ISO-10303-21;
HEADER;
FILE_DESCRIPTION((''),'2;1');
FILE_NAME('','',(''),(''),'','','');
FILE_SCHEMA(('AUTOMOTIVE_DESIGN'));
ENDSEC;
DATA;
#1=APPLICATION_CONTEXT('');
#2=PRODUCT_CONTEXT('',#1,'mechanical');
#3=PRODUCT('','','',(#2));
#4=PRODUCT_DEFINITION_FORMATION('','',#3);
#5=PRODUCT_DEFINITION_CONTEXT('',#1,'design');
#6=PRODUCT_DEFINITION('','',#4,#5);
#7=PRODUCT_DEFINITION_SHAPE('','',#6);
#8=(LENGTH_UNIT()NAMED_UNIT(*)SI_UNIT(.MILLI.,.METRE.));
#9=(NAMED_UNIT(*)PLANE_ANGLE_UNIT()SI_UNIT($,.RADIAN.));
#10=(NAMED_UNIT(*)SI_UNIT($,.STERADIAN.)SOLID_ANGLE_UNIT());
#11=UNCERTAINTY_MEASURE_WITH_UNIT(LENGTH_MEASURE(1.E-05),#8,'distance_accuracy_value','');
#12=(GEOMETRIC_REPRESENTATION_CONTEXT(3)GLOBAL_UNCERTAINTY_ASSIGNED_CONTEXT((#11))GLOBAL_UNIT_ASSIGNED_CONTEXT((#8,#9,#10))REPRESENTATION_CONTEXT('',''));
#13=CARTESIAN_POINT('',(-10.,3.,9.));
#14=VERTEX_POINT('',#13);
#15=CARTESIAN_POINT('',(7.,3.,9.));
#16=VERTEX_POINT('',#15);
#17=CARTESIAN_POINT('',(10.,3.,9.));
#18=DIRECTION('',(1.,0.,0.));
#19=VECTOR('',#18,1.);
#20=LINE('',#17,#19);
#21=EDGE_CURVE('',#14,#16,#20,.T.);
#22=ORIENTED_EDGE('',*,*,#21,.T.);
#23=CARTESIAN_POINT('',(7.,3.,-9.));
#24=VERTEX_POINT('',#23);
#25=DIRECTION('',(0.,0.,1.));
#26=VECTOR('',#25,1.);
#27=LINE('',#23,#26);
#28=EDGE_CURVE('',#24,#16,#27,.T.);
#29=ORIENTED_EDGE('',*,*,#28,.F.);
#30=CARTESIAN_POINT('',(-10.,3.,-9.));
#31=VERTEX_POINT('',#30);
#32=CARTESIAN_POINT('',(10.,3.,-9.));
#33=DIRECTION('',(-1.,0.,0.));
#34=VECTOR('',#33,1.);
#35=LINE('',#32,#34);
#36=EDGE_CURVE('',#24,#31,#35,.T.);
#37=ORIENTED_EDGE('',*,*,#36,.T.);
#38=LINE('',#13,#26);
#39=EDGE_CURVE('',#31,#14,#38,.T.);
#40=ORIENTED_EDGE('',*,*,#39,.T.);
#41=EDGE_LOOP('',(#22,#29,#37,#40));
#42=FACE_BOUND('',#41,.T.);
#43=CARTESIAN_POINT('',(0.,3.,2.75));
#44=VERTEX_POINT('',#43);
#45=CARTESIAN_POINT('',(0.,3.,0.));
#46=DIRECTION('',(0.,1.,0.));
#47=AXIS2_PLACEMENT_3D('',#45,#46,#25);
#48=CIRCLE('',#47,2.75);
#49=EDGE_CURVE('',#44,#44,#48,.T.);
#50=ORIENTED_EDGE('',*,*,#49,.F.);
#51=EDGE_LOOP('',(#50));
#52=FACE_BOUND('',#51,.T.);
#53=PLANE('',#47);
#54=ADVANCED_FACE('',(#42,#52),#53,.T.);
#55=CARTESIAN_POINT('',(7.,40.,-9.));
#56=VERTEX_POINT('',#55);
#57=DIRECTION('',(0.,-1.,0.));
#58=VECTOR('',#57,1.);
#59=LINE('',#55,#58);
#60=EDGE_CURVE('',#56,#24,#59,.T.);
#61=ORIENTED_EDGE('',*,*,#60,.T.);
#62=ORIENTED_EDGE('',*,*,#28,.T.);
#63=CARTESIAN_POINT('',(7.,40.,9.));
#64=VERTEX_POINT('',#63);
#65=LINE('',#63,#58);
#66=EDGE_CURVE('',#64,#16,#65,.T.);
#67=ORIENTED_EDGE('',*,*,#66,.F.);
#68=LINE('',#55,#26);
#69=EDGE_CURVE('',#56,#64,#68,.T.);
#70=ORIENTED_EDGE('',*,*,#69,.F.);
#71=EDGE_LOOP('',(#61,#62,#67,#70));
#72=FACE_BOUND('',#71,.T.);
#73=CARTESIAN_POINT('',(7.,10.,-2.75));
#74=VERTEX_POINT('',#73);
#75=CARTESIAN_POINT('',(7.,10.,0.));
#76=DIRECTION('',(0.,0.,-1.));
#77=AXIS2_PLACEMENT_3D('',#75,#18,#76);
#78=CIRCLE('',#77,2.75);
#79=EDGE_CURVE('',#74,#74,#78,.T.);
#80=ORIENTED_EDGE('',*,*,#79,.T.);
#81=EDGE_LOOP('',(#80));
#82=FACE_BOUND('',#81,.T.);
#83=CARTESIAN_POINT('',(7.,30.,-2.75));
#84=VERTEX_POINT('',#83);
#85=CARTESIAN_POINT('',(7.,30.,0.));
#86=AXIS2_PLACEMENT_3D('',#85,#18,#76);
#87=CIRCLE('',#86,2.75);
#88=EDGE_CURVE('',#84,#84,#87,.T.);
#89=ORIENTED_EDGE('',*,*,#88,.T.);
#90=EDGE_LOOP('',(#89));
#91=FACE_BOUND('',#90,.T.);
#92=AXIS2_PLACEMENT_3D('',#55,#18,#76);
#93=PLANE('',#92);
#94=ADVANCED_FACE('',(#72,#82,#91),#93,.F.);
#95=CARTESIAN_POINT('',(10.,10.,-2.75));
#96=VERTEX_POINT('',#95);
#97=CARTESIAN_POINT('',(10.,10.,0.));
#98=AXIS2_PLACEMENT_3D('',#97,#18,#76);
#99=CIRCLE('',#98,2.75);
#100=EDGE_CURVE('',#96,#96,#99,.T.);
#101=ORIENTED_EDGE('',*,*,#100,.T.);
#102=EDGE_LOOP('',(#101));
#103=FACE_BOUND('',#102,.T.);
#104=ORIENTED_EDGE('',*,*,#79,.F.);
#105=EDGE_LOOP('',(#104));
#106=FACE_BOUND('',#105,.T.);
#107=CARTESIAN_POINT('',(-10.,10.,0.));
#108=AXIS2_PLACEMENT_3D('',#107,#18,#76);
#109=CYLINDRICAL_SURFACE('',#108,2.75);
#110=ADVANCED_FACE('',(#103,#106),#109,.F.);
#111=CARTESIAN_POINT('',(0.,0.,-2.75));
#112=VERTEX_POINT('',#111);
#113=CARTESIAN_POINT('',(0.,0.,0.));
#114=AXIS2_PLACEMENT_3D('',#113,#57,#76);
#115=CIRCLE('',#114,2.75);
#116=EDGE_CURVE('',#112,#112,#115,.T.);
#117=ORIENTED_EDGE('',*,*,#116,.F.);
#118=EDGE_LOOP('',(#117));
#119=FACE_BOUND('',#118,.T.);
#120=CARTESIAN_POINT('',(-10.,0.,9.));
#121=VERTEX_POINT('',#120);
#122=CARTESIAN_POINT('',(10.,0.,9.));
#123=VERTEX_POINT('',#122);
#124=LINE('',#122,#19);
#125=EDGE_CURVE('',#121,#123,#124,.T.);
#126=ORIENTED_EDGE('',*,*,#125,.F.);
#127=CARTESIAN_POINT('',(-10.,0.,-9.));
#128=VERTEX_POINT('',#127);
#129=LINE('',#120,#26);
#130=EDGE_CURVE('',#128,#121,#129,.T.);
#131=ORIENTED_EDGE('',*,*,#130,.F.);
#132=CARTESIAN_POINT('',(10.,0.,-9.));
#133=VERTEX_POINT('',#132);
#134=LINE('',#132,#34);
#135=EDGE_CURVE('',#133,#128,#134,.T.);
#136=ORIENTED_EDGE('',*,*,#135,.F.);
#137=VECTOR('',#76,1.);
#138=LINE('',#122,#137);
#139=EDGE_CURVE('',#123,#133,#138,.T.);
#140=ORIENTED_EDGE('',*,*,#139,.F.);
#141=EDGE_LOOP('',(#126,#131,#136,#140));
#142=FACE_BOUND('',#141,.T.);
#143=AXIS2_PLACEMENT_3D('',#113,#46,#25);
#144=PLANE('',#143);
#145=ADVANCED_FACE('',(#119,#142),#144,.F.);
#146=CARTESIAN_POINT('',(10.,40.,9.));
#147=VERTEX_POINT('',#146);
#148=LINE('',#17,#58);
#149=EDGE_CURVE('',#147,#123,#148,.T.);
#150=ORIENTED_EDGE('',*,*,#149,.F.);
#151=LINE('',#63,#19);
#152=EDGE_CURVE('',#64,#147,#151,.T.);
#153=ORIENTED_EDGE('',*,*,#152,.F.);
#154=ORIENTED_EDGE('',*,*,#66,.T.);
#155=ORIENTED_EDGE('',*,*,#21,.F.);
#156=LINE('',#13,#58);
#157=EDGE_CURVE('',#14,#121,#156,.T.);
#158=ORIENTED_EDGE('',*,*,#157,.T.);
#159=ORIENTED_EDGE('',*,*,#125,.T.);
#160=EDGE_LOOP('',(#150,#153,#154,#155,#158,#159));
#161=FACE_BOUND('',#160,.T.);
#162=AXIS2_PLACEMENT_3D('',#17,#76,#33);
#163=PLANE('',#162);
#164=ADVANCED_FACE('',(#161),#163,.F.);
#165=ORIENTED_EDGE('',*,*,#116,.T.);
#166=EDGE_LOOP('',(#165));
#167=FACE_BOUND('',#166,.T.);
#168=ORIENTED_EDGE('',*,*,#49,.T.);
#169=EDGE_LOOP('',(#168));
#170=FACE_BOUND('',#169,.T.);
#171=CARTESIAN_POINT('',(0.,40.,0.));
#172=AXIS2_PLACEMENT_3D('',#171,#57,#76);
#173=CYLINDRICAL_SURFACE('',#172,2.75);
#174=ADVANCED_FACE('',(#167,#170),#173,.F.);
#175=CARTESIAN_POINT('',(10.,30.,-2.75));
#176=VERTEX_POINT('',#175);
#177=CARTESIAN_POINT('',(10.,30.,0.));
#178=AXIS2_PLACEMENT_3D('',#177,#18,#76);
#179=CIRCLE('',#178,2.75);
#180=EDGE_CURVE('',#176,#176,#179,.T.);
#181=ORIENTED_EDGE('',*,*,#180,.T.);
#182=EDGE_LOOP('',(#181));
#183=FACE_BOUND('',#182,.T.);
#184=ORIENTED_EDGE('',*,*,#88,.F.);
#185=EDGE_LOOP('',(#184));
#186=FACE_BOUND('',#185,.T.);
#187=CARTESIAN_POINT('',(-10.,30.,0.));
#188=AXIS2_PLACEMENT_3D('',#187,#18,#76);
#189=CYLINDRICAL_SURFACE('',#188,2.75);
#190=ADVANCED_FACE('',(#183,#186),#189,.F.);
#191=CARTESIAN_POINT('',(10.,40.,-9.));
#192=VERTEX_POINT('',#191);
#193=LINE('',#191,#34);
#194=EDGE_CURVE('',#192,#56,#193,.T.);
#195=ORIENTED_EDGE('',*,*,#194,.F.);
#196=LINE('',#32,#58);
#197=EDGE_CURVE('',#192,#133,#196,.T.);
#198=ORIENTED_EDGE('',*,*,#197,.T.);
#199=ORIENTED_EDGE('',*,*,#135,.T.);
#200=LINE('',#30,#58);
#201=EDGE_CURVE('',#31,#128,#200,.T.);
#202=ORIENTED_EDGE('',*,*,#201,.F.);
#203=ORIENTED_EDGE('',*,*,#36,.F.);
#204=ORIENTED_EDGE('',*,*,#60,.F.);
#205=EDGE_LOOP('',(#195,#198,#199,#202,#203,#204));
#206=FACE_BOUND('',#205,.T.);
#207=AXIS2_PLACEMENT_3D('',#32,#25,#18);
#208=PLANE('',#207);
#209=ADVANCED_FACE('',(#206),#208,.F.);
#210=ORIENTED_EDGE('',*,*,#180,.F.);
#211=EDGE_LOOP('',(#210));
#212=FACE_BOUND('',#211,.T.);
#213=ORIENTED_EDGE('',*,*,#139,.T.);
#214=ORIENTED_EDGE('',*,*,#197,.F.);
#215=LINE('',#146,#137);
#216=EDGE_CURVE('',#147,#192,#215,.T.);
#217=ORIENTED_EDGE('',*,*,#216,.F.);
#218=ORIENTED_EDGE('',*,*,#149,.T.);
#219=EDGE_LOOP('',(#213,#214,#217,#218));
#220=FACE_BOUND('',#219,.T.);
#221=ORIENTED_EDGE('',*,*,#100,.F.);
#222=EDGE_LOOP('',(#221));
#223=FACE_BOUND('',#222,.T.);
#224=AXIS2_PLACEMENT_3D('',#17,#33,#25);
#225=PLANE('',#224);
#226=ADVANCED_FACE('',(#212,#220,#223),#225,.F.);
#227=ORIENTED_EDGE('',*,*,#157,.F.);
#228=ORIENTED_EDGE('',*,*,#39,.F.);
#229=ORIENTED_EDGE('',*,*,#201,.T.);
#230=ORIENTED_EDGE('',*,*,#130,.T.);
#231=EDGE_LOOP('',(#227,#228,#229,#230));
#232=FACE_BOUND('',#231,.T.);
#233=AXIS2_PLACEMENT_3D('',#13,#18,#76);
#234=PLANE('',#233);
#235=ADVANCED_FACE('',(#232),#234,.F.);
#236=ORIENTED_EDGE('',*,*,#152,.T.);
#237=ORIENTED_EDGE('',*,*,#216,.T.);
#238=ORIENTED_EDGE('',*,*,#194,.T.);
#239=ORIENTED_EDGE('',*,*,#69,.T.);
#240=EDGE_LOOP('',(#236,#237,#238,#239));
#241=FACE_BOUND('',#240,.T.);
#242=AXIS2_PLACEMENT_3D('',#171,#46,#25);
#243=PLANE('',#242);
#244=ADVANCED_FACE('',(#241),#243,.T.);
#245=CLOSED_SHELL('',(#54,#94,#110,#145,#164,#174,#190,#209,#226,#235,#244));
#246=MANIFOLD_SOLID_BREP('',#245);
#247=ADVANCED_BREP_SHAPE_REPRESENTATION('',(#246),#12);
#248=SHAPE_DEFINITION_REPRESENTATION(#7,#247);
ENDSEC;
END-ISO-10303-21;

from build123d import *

# Parameters (mm, degrees)
SKETCH_1_W          = 20
SKETCH_1_H          = 18
EXTRUDE_1_DEPTH     = 3
SKETCH_2_W          = 3
SKETCH_2_H          = 18
EXTRUDE_2_DEPTH     = 37
SKETCH_4_R          = 2.75
CUT_EXTRUDE_1_DEPTH = 41
SKETCH_5_R          = 2.75
CUT_EXTRUDE_2_DEPTH = 21


with BuildPart() as part:
    # 草图1 → 凸台-拉伸1 (new body)
    with BuildSketch(Plane(origin=(0, 0, 0), x_dir=(1, 0, 0), z_dir=(0, 1, 0))):
        Rectangle(SKETCH_1_W, SKETCH_1_H)
    extrude(amount=EXTRUDE_1_DEPTH)

    # 草图2 → 凸台-拉伸2 (add)
    with BuildSketch(Plane(origin=(0, 3, 0), x_dir=(1, 0, 0), z_dir=(0, 1, 0))):
        with Locations((8.5, 0)):
            Rectangle(SKETCH_2_W, SKETCH_2_H)
    extrude(amount=EXTRUDE_2_DEPTH)

    # 草图4 → 切除-拉伸1 (cut, through all)
    with BuildSketch(Plane.XZ):
        Circle(SKETCH_4_R)
    extrude(amount=-CUT_EXTRUDE_1_DEPTH, mode=Mode.SUBTRACT)

    # 草图5 → 切除-拉伸2 (cut, through all)
    with BuildSketch(Plane(origin=(10, 0, 0), x_dir=(0, 0, -1), z_dir=(1, 0, 0))):
        with Locations((0, 10)):
            Circle(SKETCH_5_R)
        with Locations((0, 30)):
            Circle(SKETCH_5_R)
    extrude(amount=-CUT_EXTRUDE_2_DEPTH, mode=Mode.SUBTRACT)


solid = part.part
